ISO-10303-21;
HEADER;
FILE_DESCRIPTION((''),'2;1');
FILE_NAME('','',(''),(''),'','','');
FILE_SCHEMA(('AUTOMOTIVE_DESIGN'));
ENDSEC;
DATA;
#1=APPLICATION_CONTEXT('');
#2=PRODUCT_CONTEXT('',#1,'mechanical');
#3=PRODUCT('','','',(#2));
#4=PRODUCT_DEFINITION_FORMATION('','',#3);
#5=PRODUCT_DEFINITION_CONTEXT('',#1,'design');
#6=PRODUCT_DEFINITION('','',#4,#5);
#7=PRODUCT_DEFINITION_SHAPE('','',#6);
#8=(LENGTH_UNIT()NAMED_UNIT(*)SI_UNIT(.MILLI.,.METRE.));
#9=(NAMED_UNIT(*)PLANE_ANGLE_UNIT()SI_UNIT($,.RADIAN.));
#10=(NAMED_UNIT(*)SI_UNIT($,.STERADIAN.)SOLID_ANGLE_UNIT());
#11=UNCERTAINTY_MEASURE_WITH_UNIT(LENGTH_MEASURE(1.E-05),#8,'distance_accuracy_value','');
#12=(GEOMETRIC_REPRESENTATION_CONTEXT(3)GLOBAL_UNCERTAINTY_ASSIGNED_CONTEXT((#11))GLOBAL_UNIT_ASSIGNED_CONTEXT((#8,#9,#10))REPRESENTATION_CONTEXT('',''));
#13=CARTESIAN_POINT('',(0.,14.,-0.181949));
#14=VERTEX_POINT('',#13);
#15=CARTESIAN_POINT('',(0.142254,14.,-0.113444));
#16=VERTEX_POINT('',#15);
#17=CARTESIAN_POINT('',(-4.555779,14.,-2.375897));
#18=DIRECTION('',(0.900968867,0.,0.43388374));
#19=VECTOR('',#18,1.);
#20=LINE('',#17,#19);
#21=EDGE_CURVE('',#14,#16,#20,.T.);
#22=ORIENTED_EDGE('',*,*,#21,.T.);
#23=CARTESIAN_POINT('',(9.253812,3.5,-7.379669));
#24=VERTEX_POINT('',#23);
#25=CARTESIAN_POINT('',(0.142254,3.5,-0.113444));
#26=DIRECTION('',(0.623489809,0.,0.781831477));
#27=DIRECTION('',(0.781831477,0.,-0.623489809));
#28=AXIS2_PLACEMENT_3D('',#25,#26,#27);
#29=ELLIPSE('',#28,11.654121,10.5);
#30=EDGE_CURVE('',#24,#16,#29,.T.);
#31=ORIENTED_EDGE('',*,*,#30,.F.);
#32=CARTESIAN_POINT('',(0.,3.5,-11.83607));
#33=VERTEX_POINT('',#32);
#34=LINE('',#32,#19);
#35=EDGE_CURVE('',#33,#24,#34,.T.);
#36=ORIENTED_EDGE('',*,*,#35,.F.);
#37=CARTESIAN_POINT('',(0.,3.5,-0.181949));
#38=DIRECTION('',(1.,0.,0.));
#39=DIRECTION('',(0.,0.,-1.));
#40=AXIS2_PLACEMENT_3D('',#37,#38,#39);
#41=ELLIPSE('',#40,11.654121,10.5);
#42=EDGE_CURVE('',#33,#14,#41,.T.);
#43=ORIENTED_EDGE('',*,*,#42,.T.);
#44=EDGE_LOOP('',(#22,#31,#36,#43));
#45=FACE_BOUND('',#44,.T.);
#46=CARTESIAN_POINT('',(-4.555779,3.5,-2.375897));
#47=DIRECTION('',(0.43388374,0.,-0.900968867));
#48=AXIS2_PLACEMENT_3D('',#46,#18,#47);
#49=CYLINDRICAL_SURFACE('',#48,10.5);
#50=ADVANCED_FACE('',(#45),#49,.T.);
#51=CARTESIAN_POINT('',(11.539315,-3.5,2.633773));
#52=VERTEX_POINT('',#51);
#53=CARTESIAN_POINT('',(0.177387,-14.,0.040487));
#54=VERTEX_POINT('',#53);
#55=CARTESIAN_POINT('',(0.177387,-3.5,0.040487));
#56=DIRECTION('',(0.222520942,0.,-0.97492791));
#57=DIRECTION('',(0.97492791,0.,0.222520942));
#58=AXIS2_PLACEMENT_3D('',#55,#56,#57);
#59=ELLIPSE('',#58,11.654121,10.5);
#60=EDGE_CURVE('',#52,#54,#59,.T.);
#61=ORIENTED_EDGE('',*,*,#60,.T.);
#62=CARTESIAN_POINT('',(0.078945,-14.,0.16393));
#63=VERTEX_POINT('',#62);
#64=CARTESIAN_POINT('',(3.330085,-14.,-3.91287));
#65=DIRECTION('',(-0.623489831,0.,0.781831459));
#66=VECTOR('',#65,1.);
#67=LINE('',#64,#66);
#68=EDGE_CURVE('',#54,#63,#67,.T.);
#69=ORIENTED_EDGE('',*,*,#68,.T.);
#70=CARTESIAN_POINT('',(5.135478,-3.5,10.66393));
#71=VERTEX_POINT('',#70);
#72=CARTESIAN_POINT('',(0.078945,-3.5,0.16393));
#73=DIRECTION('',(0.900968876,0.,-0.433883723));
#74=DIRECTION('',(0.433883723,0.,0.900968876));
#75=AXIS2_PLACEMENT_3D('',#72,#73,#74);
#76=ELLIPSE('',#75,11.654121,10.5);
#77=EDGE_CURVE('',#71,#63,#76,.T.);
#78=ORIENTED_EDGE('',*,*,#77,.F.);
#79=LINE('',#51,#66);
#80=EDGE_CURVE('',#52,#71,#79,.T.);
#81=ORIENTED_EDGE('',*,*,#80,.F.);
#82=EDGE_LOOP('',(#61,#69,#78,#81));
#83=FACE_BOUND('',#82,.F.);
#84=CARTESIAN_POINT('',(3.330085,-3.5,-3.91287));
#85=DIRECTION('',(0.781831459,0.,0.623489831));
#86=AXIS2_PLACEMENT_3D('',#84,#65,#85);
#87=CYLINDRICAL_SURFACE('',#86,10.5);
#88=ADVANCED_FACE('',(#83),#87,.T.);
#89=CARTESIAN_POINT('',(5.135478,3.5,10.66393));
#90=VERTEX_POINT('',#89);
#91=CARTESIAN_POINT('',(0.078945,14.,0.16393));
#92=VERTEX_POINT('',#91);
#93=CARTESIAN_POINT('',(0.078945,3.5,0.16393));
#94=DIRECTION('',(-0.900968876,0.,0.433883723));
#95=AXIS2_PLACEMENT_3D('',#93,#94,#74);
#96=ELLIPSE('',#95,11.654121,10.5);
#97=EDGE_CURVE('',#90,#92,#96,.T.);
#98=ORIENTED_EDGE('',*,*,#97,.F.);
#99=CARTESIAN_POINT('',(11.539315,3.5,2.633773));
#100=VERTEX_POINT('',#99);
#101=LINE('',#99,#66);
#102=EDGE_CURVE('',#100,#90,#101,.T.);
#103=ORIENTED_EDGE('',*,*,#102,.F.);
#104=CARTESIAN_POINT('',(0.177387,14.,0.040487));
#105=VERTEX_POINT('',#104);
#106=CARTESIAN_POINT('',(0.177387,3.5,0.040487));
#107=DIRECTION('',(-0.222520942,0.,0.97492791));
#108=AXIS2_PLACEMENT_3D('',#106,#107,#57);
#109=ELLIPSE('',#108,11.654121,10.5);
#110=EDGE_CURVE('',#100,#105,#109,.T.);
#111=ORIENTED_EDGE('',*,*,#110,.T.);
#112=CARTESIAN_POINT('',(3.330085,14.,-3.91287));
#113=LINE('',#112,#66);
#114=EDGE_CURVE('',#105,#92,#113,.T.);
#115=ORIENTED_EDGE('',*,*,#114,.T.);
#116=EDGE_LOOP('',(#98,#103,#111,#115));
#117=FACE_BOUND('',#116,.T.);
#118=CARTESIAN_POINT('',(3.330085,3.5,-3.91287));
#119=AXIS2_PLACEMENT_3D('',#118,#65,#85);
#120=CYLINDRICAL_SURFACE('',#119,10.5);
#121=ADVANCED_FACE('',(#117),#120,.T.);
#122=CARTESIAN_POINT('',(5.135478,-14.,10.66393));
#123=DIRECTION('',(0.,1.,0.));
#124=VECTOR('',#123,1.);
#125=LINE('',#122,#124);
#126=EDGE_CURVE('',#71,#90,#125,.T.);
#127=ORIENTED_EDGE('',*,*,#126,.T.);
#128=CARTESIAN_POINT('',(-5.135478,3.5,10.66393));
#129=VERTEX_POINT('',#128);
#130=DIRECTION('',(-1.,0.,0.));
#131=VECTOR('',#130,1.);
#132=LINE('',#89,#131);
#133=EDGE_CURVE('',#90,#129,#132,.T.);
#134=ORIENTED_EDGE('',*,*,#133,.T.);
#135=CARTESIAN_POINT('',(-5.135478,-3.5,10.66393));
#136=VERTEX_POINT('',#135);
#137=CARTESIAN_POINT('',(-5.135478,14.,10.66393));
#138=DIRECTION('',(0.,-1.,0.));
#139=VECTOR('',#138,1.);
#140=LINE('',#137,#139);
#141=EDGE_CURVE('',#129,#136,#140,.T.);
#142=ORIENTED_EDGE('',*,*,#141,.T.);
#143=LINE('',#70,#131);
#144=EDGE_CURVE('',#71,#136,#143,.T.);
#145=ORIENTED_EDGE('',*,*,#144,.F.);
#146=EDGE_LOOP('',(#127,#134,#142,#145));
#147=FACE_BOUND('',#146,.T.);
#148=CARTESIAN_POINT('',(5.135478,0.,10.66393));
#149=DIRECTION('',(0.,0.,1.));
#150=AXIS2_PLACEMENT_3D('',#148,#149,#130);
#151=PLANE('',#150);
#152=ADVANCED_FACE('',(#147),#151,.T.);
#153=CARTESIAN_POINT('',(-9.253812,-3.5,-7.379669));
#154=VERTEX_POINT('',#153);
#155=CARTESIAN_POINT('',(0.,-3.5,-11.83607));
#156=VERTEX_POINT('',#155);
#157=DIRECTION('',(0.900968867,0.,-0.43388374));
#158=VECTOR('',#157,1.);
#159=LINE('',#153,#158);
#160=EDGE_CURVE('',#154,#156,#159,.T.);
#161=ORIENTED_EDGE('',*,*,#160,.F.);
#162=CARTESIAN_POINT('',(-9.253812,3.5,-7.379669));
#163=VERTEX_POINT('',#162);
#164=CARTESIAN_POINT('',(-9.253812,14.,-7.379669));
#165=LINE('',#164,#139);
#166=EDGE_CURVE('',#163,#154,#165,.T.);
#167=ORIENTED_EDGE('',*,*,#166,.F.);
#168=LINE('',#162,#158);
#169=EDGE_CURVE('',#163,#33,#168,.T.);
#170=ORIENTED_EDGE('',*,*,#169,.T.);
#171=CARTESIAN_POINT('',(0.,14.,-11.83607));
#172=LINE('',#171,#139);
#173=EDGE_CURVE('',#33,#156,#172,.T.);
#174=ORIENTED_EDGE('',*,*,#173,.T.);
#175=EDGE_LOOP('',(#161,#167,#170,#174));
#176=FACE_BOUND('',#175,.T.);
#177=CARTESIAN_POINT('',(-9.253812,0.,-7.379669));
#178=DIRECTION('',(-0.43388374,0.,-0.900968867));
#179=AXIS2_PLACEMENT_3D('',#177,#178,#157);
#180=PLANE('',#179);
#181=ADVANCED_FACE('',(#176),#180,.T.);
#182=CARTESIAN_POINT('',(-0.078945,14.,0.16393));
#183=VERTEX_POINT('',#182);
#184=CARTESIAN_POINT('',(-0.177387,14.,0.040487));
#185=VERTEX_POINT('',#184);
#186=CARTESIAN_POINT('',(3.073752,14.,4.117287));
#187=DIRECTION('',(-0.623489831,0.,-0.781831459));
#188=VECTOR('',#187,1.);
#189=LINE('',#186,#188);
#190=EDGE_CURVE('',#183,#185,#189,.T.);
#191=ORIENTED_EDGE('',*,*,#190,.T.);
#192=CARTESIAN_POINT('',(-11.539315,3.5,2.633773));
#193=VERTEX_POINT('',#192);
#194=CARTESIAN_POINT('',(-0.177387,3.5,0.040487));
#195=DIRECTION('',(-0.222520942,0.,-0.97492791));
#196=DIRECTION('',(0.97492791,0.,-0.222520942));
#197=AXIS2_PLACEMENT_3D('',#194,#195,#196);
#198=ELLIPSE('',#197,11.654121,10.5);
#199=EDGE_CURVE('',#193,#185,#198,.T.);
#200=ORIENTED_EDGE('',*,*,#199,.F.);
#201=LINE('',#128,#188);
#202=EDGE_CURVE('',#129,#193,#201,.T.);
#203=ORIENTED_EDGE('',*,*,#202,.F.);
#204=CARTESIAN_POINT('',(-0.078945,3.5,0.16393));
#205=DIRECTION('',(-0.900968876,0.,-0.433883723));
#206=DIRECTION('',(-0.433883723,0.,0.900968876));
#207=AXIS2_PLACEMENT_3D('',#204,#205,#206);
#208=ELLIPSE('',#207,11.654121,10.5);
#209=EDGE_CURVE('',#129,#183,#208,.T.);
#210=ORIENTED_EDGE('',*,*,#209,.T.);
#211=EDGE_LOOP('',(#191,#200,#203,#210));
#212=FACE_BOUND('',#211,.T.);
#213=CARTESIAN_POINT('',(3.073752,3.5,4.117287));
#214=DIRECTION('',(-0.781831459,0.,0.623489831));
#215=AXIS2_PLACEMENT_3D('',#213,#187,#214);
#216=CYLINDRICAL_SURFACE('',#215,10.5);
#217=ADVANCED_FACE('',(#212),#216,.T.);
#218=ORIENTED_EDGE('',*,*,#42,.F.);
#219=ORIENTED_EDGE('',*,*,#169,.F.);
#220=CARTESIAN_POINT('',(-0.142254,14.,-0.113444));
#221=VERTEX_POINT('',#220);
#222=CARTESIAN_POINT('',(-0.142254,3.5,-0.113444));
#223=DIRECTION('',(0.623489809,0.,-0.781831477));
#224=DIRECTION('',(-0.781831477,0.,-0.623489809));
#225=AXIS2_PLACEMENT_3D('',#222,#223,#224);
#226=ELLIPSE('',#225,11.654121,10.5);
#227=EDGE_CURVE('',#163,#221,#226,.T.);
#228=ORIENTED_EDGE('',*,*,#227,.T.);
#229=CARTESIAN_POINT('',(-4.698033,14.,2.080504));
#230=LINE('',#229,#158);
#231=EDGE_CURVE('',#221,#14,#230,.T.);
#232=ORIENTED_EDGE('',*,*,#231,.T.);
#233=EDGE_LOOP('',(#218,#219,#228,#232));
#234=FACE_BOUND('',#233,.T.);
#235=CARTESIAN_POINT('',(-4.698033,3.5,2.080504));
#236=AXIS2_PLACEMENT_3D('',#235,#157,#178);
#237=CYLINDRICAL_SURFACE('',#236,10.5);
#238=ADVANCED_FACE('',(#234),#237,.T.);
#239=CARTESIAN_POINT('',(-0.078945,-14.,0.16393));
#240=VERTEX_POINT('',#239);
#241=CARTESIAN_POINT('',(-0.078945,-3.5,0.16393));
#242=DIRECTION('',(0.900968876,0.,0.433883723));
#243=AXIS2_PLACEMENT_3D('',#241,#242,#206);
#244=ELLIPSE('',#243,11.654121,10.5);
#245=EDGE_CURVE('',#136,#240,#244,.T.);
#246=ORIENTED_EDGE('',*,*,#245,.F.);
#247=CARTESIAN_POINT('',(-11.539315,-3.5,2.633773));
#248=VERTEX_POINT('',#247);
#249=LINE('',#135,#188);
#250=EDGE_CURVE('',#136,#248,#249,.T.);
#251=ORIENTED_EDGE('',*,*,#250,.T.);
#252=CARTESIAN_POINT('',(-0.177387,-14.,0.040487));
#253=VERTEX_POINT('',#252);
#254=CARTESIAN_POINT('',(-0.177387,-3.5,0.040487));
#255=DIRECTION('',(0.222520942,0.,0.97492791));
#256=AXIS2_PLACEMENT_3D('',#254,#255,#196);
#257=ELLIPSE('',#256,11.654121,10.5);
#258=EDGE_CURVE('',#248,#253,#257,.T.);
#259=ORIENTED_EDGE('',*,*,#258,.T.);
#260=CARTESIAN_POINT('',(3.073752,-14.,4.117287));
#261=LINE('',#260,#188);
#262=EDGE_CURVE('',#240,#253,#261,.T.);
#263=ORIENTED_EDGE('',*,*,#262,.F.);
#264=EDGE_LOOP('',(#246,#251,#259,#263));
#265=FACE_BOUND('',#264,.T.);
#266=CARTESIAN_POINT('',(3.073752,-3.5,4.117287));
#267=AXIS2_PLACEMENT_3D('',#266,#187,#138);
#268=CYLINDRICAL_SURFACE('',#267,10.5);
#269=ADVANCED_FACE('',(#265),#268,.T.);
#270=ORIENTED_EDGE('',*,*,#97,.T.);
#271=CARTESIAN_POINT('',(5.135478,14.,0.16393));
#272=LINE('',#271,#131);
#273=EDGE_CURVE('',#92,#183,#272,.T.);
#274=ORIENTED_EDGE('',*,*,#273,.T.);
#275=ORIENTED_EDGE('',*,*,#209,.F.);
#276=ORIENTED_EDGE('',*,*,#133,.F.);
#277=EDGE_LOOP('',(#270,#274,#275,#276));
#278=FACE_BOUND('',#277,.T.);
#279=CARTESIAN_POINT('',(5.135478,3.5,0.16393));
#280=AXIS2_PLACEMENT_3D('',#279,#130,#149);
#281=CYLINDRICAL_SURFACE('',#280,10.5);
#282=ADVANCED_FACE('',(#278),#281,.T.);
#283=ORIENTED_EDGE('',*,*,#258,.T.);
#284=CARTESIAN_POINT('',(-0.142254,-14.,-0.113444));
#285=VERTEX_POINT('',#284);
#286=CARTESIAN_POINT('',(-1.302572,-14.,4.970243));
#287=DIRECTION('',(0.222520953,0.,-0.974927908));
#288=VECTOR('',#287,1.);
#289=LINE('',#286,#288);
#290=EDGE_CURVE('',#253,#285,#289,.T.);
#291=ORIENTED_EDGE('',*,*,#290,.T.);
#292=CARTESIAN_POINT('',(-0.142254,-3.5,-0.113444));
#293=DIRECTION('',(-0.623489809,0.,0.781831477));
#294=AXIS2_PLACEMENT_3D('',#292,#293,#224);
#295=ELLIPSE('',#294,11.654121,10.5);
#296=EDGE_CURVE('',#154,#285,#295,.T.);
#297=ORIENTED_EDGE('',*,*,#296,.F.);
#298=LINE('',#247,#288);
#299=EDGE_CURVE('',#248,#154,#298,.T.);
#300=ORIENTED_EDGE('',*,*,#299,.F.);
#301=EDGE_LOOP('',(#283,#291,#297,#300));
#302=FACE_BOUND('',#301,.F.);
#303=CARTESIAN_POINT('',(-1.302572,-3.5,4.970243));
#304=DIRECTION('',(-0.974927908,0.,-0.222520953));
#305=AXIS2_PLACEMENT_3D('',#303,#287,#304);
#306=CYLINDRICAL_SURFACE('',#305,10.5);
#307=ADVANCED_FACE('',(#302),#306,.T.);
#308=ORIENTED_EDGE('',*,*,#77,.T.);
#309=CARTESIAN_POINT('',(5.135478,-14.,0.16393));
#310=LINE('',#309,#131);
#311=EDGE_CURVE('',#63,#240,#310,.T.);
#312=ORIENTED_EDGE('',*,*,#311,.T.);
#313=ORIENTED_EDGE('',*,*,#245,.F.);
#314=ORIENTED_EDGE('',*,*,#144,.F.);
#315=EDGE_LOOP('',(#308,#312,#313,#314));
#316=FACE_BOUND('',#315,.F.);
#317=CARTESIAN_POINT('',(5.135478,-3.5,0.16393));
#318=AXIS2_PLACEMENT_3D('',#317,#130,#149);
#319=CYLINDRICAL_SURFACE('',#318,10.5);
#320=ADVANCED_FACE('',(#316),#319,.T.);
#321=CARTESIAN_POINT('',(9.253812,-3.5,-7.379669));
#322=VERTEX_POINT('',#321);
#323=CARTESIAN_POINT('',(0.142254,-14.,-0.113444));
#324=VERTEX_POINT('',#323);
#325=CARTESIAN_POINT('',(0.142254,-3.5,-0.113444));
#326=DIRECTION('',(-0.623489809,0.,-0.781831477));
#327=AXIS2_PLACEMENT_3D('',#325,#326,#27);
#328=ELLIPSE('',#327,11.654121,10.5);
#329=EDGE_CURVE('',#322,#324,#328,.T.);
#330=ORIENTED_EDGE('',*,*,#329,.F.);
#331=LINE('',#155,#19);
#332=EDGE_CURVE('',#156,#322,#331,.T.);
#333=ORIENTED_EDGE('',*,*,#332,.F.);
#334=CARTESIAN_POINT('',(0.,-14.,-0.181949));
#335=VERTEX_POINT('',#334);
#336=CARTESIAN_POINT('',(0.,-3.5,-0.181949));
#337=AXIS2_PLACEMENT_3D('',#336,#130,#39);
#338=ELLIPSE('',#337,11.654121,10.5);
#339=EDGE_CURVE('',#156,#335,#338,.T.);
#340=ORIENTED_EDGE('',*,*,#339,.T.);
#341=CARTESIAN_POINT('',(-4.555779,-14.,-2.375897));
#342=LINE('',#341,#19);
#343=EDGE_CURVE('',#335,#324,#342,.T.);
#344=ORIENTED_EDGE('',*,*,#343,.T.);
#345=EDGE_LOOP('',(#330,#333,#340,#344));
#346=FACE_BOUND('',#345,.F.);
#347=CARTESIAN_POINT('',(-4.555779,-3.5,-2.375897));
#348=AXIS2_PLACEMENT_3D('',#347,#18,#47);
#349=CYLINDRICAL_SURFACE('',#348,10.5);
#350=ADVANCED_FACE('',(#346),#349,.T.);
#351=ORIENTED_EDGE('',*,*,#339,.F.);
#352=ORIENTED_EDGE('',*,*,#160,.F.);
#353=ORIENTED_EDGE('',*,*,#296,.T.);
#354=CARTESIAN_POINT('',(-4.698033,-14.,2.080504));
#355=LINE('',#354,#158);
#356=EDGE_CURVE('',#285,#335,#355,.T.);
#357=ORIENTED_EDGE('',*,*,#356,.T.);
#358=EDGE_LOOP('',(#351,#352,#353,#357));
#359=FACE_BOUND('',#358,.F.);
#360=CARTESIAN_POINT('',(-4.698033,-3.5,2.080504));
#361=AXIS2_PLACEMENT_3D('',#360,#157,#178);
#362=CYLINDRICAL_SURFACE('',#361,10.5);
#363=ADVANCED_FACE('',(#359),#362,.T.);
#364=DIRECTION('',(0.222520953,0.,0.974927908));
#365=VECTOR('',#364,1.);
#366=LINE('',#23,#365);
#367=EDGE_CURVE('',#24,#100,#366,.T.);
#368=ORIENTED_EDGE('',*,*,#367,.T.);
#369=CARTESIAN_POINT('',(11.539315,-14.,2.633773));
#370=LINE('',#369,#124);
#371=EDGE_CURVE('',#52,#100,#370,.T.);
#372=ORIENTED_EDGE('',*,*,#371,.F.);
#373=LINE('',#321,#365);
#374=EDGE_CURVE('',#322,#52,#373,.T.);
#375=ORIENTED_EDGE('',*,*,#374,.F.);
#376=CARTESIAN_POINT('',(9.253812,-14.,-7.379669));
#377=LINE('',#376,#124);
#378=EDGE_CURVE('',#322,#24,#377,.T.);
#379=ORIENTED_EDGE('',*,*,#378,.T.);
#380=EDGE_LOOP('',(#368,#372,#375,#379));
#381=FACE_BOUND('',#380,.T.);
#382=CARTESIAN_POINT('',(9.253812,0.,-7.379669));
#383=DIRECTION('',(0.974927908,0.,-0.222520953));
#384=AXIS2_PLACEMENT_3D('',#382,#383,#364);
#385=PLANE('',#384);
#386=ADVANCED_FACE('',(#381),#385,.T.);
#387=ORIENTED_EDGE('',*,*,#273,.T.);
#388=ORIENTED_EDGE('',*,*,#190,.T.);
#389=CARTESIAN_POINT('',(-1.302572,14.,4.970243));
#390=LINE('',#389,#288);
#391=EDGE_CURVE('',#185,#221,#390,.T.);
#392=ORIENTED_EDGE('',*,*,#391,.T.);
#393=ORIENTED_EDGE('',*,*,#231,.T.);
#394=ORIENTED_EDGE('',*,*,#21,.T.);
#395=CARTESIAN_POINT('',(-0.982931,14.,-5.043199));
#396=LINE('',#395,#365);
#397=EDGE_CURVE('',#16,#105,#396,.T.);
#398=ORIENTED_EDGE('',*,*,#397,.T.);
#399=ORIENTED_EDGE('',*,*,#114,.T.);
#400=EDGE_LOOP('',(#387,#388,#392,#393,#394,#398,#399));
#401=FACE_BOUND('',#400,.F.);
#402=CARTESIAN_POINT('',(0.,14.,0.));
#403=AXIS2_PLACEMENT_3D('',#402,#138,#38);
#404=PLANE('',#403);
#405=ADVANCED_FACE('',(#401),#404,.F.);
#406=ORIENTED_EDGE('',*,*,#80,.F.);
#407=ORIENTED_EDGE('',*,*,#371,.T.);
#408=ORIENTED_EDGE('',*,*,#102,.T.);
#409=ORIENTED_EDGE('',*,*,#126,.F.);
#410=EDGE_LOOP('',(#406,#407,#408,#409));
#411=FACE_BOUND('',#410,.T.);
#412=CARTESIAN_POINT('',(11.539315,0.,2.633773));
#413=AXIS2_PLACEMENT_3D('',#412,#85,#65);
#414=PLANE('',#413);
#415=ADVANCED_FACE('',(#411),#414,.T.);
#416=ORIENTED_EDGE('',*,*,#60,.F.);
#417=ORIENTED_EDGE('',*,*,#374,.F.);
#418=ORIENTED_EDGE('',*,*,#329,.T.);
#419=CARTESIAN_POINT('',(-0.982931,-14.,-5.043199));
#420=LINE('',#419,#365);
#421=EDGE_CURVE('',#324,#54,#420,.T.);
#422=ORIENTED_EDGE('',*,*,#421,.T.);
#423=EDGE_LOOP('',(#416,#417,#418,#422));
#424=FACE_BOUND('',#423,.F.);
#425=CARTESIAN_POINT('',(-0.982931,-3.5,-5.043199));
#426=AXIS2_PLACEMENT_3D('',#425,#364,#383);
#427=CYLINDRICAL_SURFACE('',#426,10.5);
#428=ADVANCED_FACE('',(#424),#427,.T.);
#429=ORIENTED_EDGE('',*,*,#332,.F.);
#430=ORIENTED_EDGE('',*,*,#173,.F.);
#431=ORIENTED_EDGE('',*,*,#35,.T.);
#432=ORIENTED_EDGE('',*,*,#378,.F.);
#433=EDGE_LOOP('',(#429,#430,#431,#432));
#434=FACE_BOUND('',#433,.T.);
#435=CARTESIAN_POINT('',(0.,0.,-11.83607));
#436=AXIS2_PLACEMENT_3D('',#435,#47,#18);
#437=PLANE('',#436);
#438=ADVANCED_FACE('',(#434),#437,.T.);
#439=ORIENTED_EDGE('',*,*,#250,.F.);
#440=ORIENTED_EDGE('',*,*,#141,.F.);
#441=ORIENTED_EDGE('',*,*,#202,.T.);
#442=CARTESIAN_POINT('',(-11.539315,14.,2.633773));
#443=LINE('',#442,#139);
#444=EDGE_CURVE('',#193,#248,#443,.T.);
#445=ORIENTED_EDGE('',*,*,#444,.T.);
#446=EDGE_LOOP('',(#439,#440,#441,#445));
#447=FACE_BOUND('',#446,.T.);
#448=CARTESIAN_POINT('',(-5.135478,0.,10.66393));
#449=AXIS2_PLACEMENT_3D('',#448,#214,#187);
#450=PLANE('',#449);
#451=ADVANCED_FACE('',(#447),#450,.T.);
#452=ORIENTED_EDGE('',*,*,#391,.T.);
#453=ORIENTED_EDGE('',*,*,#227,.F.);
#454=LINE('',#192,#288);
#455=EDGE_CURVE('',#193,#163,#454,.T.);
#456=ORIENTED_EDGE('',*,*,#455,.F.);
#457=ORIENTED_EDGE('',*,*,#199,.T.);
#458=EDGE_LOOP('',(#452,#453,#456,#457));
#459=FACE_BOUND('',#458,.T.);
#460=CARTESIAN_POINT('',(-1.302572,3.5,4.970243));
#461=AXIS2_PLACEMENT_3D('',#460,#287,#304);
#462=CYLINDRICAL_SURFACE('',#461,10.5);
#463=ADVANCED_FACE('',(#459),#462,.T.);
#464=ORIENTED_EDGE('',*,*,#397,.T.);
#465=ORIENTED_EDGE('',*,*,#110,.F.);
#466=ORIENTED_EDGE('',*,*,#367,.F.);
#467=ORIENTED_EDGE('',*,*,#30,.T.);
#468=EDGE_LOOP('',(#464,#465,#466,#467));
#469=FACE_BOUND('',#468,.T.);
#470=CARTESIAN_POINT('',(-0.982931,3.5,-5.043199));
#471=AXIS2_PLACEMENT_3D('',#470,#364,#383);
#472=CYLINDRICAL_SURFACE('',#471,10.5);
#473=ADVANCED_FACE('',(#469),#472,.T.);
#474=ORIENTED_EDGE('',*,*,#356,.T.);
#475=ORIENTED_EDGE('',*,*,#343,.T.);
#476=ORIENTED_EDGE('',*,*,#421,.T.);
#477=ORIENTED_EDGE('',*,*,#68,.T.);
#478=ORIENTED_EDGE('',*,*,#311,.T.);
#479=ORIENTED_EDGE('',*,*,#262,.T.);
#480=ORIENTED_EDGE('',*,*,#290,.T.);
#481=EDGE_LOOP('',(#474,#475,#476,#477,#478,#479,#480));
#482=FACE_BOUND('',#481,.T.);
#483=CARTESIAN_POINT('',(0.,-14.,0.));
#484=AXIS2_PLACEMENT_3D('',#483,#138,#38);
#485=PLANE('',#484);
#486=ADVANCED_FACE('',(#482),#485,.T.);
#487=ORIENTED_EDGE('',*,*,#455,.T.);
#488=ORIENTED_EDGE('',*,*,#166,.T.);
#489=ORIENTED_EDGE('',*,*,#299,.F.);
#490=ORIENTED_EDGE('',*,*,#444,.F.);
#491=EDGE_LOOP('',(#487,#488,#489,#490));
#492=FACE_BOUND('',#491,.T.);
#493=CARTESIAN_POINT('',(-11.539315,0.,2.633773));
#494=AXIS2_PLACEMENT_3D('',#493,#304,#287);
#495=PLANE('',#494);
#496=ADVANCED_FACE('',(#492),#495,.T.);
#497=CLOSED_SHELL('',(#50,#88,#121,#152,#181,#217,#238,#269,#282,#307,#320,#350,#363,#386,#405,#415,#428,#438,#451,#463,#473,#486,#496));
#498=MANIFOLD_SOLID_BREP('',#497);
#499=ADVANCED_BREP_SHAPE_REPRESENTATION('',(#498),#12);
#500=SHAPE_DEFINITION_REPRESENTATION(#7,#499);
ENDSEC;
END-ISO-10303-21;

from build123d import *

# Parameters (mm, degrees)
F1_DEPTH      = 14
F1_DEPTH_BACK = 14
F2_R          = 10.5


with BuildPart() as f1:
    # F0 (on Front) → F1 (new body, two sides)
    with BuildSketch(Plane.XZ) as f1_sk:
        Polygon((5.135478, 10.66393), (-5.135478, 10.66393), (-11.539315, 2.633773), (-9.253812, -7.379669), (0, -11.83607), (9.253812, -7.379669), (11.539315, 2.633773), align=None)
    extrude(amount=F1_DEPTH)
    extrude(f1_sk.sketch, amount=-F1_DEPTH_BACK)

    # F2
    f2_edges = [f1.edges().sort_by_distance(p)[0] for p in [
        (-10.396563, -14, -2.372948),
        (-4.626906, -14, -9.607869),
        (4.626906, -14, -9.607869),
        (10.396563, -14, -2.372948),
        (8.337396, -14, 6.648852),
        (0, -14, 10.66393),
        (-8.337396, -14, 6.648852),
        (-10.396563, 14, -2.372948),
        (-4.626906, 14, -9.607869),
        (4.626906, 14, -9.607869),
        (10.396563, 14, -2.372948),
        (8.337396, 14, 6.648852),
        (0, 14, 10.66393),
        (-8.337396, 14, 6.648852),
    ]]
    fillet(f2_edges, radius=F2_R)


solid = f1.part
